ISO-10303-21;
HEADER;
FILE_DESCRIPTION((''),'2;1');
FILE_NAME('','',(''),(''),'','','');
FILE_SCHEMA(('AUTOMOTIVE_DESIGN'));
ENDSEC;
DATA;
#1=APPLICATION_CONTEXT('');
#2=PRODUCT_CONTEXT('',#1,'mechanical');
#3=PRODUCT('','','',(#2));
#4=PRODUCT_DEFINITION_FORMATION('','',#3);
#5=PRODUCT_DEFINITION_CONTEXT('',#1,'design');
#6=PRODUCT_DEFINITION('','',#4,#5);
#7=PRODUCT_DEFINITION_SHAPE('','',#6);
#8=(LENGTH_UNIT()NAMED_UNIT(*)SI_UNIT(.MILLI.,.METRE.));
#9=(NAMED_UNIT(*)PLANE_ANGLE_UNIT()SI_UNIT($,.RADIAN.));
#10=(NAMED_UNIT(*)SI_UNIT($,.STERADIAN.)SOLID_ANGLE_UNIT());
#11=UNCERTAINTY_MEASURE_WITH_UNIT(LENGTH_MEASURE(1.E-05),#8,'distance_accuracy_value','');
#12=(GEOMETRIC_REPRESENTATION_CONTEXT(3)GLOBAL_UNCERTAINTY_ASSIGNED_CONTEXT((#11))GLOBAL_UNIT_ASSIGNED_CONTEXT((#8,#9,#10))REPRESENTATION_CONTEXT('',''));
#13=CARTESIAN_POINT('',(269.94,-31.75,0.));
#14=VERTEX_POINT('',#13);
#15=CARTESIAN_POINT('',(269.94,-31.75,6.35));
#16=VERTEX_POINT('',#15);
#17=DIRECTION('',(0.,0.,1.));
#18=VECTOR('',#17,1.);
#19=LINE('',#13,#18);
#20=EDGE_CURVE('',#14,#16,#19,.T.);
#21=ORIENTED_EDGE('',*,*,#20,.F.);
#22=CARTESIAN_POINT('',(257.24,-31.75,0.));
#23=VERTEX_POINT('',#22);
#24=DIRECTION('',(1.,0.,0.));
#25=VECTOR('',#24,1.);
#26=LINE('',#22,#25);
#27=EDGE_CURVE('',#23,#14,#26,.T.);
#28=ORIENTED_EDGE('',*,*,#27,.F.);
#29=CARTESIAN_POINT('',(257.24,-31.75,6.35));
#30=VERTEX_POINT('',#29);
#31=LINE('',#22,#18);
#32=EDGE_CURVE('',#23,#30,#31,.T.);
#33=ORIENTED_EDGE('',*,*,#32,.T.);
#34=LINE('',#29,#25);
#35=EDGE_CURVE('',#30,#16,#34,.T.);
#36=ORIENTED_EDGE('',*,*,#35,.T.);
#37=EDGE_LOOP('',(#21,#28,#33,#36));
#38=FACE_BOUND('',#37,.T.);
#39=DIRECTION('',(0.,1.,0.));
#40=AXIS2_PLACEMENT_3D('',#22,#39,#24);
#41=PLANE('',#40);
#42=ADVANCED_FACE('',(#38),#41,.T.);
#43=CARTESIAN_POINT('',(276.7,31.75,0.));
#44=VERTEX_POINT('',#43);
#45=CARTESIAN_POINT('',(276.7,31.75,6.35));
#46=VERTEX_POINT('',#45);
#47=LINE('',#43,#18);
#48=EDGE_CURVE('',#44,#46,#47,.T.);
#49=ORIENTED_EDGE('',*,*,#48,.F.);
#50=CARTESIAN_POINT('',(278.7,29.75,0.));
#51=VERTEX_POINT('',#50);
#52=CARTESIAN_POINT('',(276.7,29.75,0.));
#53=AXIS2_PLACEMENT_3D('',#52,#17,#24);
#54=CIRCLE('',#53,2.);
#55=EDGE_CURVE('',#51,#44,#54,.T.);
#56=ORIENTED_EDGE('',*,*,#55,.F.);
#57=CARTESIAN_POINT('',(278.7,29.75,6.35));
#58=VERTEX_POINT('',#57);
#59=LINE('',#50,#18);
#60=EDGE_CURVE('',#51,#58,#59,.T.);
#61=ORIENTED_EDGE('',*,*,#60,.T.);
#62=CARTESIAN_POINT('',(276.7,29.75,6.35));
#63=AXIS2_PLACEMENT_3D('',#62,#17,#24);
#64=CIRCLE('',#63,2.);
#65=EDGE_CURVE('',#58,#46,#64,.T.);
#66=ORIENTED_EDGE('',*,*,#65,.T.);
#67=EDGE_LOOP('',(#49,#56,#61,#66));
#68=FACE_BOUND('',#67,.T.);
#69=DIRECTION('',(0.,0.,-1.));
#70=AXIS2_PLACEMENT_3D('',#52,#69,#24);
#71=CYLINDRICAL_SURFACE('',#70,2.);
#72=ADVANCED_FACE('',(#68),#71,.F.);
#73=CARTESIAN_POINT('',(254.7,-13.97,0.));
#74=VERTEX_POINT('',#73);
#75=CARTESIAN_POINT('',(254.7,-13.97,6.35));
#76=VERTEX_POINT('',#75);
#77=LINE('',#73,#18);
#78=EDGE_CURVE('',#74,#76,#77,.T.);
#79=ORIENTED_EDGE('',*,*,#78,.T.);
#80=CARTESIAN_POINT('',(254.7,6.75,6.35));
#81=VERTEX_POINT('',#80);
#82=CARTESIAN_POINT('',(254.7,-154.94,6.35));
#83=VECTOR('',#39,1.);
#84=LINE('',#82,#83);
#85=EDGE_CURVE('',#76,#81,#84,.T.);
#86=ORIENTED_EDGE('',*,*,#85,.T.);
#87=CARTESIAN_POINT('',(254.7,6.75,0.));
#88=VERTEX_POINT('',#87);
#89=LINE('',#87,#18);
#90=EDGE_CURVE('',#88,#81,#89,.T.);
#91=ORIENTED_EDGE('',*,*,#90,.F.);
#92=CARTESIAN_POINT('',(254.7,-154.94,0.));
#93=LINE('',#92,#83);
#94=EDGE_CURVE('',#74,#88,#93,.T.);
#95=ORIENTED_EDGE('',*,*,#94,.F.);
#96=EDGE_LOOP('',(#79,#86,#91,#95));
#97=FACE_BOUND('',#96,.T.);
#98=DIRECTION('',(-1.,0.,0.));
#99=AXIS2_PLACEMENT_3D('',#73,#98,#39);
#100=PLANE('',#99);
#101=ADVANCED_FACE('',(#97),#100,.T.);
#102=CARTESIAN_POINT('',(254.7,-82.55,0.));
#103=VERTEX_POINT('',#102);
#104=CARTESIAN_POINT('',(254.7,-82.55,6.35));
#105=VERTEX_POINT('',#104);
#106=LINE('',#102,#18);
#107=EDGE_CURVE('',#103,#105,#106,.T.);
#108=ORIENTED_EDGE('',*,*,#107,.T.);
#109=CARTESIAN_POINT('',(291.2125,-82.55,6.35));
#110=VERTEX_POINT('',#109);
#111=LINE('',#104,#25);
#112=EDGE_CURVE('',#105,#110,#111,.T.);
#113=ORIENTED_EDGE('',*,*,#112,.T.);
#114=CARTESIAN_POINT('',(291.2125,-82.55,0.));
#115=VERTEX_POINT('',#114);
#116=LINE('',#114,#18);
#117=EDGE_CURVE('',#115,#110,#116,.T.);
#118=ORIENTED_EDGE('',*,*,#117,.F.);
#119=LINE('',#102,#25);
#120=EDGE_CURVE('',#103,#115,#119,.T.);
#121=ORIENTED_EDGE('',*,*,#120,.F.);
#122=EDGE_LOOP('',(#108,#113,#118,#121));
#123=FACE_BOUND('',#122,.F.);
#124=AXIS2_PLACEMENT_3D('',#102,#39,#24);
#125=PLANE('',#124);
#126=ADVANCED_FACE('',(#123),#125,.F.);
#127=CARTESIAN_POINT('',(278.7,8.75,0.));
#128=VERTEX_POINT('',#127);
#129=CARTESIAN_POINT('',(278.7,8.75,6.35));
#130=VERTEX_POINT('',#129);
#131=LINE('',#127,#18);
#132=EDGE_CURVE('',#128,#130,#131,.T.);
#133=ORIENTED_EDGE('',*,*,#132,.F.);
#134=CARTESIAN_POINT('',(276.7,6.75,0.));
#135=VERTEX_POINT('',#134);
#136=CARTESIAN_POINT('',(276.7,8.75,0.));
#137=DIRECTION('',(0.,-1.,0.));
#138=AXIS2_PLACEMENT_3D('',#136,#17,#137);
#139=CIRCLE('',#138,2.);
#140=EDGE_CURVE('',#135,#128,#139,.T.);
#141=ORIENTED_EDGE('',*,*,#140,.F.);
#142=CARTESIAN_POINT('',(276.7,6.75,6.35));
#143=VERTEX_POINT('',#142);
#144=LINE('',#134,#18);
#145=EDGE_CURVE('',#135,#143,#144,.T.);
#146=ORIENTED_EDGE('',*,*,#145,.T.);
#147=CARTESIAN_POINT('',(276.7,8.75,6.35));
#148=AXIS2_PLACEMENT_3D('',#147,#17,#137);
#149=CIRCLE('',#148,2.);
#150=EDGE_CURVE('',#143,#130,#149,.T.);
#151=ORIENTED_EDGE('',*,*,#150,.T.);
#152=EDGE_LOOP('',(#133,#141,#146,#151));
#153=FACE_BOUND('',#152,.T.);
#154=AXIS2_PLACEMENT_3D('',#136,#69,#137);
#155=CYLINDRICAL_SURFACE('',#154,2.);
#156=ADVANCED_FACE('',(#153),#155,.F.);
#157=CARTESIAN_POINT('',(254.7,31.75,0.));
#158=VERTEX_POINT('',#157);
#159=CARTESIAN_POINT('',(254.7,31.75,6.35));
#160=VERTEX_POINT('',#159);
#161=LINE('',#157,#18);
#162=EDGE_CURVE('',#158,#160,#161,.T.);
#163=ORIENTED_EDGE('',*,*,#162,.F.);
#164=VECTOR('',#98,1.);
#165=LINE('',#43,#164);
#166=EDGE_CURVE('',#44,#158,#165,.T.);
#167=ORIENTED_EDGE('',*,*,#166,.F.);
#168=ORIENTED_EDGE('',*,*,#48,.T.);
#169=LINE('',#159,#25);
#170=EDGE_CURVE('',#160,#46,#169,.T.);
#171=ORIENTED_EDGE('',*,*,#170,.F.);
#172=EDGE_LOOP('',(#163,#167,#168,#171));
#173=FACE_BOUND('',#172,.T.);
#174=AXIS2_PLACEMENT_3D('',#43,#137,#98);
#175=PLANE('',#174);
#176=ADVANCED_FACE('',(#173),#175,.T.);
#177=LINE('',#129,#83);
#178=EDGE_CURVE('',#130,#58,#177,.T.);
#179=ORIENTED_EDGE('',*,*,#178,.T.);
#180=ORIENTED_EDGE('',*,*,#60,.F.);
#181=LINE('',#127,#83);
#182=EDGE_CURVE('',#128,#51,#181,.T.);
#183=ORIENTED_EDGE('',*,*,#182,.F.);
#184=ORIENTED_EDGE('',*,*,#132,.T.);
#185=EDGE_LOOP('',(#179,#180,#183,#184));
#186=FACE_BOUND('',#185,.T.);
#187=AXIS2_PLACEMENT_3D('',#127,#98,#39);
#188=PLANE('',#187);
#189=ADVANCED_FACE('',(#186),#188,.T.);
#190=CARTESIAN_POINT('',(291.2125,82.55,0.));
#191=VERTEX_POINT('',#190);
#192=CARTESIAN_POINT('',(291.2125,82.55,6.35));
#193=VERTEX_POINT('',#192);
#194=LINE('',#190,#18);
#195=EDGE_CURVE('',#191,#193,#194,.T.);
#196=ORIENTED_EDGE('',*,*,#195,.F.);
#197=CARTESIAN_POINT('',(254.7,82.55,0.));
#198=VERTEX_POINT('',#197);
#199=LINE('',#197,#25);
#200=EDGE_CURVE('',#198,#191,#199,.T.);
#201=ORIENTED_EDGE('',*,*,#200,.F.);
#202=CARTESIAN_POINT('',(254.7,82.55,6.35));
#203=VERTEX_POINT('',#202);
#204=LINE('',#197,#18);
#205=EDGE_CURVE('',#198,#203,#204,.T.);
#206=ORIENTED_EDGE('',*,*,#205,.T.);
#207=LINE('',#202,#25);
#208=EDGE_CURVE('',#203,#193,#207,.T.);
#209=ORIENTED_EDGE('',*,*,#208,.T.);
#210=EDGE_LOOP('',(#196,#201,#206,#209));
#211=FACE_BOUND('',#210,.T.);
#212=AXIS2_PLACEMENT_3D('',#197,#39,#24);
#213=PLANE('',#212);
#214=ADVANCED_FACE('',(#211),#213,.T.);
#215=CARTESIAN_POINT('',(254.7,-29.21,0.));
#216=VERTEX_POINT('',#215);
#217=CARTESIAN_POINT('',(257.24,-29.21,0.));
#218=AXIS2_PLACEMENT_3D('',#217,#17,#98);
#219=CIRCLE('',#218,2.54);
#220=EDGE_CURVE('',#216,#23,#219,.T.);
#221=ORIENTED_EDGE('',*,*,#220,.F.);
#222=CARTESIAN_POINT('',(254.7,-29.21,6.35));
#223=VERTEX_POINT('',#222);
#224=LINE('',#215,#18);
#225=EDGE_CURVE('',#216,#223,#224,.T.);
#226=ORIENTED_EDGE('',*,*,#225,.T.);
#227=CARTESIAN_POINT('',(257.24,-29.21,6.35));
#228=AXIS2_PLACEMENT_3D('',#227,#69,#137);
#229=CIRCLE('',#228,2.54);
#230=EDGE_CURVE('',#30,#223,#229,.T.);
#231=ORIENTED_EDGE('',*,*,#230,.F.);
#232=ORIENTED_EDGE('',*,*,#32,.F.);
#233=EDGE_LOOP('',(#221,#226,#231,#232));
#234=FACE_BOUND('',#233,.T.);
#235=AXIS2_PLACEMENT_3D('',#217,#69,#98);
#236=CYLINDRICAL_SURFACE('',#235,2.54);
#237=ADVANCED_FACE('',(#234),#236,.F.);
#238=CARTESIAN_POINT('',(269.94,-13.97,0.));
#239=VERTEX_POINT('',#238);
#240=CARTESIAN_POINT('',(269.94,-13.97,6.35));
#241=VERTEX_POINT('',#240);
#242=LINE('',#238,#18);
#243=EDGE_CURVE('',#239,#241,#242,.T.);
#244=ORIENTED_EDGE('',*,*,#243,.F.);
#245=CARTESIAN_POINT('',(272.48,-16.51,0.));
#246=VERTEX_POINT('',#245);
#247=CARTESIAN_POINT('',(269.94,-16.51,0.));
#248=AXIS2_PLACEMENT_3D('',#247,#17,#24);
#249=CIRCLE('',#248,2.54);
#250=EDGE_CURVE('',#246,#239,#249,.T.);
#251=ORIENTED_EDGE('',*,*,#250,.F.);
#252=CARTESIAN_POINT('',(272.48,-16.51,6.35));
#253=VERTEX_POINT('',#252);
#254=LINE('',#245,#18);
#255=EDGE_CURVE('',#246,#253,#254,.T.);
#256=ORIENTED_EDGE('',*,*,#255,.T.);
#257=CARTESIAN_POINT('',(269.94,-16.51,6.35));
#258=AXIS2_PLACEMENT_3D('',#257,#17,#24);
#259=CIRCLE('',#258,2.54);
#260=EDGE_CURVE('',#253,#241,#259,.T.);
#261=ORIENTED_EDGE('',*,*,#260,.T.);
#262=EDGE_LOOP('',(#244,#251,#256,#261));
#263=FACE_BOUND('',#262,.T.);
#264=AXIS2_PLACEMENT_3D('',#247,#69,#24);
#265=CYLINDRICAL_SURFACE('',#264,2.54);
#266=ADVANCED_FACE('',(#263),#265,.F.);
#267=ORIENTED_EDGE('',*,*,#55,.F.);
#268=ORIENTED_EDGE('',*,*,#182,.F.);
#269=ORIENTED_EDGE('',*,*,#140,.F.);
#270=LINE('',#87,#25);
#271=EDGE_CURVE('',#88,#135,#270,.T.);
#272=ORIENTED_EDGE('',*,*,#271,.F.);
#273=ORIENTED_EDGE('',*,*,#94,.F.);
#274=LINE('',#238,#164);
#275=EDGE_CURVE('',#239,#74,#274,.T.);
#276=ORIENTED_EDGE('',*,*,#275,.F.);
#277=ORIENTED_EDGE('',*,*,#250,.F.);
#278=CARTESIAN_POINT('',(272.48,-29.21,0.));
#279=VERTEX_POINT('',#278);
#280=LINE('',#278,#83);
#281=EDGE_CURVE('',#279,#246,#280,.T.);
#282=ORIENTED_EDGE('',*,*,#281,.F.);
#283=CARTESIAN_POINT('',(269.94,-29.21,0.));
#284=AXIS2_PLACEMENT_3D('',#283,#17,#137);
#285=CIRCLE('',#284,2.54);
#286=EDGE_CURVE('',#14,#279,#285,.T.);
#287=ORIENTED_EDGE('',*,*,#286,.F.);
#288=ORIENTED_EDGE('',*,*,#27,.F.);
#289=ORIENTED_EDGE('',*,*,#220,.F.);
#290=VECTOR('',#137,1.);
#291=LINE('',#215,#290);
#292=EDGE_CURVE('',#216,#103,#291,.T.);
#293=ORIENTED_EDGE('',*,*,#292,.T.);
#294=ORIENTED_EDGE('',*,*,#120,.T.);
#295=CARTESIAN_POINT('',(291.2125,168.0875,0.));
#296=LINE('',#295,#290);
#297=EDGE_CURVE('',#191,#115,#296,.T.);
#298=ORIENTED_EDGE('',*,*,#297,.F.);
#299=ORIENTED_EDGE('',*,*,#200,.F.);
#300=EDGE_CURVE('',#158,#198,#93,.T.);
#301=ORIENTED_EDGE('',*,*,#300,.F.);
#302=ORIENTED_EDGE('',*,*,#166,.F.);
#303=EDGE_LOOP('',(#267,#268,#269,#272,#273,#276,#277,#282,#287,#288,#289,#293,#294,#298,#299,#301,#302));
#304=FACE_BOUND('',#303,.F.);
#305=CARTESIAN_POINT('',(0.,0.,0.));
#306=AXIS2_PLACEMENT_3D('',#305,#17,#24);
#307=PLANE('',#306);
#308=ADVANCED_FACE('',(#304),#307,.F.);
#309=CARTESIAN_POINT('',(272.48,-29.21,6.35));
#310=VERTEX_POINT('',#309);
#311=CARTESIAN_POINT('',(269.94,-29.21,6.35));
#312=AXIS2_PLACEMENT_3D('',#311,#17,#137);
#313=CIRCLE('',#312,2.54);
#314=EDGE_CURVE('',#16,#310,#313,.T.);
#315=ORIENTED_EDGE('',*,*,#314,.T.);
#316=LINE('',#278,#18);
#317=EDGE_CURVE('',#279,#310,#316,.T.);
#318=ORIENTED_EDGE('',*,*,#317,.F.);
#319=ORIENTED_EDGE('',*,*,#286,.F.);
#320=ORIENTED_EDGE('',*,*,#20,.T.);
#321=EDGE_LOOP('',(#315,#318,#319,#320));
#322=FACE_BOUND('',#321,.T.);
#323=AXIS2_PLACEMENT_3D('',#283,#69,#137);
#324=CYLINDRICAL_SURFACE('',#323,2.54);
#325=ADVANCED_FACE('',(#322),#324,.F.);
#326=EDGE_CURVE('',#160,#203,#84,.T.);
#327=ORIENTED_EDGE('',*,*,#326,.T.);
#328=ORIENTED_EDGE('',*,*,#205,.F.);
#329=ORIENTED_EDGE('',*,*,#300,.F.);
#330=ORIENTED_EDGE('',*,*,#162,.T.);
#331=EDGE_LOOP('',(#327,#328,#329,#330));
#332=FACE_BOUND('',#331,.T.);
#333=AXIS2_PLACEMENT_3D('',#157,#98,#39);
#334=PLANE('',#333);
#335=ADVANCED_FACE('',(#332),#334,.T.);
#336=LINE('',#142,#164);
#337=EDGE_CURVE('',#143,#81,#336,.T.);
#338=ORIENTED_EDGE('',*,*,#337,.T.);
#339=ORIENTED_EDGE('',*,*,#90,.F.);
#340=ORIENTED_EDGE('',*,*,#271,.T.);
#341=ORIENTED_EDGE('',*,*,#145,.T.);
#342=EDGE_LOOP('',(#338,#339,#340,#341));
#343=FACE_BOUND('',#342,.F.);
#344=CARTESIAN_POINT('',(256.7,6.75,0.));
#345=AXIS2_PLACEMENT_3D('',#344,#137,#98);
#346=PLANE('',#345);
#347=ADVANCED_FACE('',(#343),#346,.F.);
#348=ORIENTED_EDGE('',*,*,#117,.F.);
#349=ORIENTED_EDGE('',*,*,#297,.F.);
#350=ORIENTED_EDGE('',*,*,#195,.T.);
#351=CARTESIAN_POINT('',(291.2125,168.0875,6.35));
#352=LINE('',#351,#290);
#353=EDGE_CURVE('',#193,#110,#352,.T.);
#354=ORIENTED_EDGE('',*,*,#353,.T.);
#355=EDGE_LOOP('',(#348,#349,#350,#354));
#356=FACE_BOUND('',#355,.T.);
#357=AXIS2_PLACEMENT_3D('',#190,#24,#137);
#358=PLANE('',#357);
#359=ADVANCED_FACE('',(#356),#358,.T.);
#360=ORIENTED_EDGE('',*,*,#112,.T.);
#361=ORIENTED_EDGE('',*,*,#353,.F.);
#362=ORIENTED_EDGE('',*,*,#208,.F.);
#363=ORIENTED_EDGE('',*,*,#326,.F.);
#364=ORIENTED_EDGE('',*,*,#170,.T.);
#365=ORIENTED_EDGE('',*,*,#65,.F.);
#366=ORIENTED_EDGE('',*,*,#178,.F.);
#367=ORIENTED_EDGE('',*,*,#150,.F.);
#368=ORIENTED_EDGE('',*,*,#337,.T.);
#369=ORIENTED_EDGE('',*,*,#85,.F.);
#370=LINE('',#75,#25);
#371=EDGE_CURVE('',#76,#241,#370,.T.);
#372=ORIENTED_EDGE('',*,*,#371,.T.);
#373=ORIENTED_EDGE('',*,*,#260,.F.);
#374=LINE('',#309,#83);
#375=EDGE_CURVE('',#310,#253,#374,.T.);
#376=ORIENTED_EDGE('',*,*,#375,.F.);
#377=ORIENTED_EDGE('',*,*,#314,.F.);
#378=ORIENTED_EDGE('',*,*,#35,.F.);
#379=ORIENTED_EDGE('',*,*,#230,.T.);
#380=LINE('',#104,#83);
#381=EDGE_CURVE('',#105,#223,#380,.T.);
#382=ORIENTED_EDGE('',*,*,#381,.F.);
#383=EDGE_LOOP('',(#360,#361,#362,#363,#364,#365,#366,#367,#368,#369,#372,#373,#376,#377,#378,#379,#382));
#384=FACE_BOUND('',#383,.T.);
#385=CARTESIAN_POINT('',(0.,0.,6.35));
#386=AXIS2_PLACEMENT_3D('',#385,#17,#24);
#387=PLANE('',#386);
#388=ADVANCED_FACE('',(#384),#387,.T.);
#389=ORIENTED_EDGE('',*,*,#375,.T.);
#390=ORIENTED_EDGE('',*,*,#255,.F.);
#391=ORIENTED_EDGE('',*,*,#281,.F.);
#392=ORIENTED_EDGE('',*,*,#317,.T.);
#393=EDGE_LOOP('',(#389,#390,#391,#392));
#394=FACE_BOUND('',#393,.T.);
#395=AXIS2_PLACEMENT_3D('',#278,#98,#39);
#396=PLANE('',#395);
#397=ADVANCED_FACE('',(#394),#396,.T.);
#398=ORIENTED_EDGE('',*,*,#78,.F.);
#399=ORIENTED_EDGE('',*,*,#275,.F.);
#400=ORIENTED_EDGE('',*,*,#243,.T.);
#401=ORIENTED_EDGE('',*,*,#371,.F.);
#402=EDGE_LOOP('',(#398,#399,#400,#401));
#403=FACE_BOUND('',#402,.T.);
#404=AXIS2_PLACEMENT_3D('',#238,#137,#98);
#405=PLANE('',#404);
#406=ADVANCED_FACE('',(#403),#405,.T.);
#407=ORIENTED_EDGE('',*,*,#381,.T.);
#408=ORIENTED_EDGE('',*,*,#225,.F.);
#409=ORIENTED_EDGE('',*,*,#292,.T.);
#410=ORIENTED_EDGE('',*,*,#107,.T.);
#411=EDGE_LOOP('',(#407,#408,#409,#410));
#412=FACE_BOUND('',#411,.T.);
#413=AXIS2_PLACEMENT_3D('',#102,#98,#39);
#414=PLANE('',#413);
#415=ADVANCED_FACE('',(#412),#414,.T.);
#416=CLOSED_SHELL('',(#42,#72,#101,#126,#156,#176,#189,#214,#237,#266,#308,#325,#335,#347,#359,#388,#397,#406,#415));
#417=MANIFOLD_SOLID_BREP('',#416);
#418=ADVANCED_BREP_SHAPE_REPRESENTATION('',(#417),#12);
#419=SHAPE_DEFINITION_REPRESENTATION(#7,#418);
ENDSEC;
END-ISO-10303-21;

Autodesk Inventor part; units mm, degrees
ref_plane "YZ Plane" through (0, 0, 0) normal (1, 0, 0) x (0, 1, 0)
ref_plane "XZ Plane" through (0, 0, 0) normal (0, 1, 0) x (-1, 0, 0)
ref_plane "XY Plane" through (0, 0, 0) normal (0, 0, 1) x (1, 0, 0)
ref_plane "Work Plane1" through (0, 0, 0) normal (0, 0, 1) x (1, 0, 0)
sketch "Sketch1" plane through (0, 0, 0) normal (0, 0, 1) x (1, 0, 0)
  line L0 (254.7, -154.94) -> (254.7, 140.97) projected
  line L1 (291.2125, 168.0875) -> (291.2125, -168.0875) projected
  arc A0 (256.7, 31.75) -> (254.7, 29.75) centre (256.7, 29.75) ccw projected
  line L2 (254.7, 29.75) -> (254.7, 8.75) projected
  arc A1 (254.7, 8.75) -> (256.7, 6.75) centre (256.7, 8.75) ccw projected
  line L3 (256.7, 6.75) -> (276.7, 6.75) projected
  arc A2 (276.7, 6.75) -> (278.7, 8.75) centre (276.7, 8.75) ccw projected
  line L4 (278.7, 8.75) -> (278.7, 29.75) projected
  arc A3 (278.7, 29.75) -> (276.7, 31.75) centre (276.7, 29.75) ccw projected
  line L5 (276.7, 31.75) -> (256.7, 31.75) projected
  circle A4 centre (276.78, 8.75) radius 1.05 projected
  circle A5 centre (264.2, 8.75) radius 1.05 projected
  circle A6 centre (276.78, 29.75) radius 1.05 projected
  circle A7 centre (264.2, 29.75) radius 1.05 projected
  arc A8 (257.24, -13.97) -> (254.7, -16.51) centre (257.24, -16.51) ccw projected
  line L6 (254.7, -16.51) -> (254.7, -29.21) projected
  arc A9 (254.7, -29.21) -> (257.24, -31.75) centre (257.24, -29.21) ccw projected
  line L7 (257.24, -31.75) -> (269.94, -31.75) projected
  arc A10 (269.94, -31.75) -> (272.48, -29.21) centre (269.94, -29.21) ccw projected
  line L8 (272.48, -29.21) -> (272.48, -16.51) projected
  arc A11 (272.48, -16.51) -> (269.94, -13.97) centre (269.94, -16.51) ccw projected
  line L9 (269.94, -13.97) -> (257.24, -13.97) projected
  circle A12 centre (257.24, -19.05) radius 0.5 projected
  circle A13 centre (257.24, -24.13) radius 0.5 projected
  circle A14 centre (257.24, -29.21) radius 0.5 projected
  circle A15 centre (269.94, -29.21) radius 1.25 projected
  circle A16 centre (259.272, -18.923) radius 0.25 projected
  circle A17 centre (269.178, -19.304) radius 0.25 projected
  circle A18 centre (263.463, -28.702) radius 0.25 projected
  circle A19 centre (268.289, -26.67) radius 0.25 projected
  circle A20 centre (267.654, -30.861) radius 0.25 projected
  circle A21 centre (260.669, -26.797) radius 0.25 projected
  circle A22 centre (265.622, -26.035) radius 0.25 projected
  circle A23 centre (267.654, -21.717) radius 0.25 projected
  circle A24 centre (260.796, -21.971) radius 0.25 projected
  circle A25 centre (269.94, -16.51) radius 1.25 projected
  circle A26 centre (257.24, -26.67) radius 0.5 projected
  circle A27 centre (257.24, -21.59) radius 0.5 projected
  circle A28 centre (257.24, -16.51) radius 0.5 projected
  line L10 (254.7, 31.75) -> (254.7, 82.55)
  line L11 (254.7, 82.55) -> (291.2125, 82.55)
  line L12 (254.7, 31.75) -> (256.7, 31.75)
  line L13 (256.7, 6.75) -> (254.7, 6.75)
  line L14 (257.24, -13.97) -> (254.7, -13.97)
  line L15 (257.175, -31.75) -> (254.7, -31.75)
  line L16 (254.7, -31.75) -> (254.7, -82.55)
  line L17 (254.7, -82.55) -> (291.2125, -82.55)
  point P0 (0, 0)
  dimension "d0" = 50.8
  dimension "d1" = 50.8
extrude "Extrusion1" add sketch "Sketch1" along normal blind 6.35 contours L0 L15 A9 L7 A10 L8 A11 L9 L14 L13 L3 A2 L4 A3 L5 L12 L11 L1 L17 | L0 A9 L15
